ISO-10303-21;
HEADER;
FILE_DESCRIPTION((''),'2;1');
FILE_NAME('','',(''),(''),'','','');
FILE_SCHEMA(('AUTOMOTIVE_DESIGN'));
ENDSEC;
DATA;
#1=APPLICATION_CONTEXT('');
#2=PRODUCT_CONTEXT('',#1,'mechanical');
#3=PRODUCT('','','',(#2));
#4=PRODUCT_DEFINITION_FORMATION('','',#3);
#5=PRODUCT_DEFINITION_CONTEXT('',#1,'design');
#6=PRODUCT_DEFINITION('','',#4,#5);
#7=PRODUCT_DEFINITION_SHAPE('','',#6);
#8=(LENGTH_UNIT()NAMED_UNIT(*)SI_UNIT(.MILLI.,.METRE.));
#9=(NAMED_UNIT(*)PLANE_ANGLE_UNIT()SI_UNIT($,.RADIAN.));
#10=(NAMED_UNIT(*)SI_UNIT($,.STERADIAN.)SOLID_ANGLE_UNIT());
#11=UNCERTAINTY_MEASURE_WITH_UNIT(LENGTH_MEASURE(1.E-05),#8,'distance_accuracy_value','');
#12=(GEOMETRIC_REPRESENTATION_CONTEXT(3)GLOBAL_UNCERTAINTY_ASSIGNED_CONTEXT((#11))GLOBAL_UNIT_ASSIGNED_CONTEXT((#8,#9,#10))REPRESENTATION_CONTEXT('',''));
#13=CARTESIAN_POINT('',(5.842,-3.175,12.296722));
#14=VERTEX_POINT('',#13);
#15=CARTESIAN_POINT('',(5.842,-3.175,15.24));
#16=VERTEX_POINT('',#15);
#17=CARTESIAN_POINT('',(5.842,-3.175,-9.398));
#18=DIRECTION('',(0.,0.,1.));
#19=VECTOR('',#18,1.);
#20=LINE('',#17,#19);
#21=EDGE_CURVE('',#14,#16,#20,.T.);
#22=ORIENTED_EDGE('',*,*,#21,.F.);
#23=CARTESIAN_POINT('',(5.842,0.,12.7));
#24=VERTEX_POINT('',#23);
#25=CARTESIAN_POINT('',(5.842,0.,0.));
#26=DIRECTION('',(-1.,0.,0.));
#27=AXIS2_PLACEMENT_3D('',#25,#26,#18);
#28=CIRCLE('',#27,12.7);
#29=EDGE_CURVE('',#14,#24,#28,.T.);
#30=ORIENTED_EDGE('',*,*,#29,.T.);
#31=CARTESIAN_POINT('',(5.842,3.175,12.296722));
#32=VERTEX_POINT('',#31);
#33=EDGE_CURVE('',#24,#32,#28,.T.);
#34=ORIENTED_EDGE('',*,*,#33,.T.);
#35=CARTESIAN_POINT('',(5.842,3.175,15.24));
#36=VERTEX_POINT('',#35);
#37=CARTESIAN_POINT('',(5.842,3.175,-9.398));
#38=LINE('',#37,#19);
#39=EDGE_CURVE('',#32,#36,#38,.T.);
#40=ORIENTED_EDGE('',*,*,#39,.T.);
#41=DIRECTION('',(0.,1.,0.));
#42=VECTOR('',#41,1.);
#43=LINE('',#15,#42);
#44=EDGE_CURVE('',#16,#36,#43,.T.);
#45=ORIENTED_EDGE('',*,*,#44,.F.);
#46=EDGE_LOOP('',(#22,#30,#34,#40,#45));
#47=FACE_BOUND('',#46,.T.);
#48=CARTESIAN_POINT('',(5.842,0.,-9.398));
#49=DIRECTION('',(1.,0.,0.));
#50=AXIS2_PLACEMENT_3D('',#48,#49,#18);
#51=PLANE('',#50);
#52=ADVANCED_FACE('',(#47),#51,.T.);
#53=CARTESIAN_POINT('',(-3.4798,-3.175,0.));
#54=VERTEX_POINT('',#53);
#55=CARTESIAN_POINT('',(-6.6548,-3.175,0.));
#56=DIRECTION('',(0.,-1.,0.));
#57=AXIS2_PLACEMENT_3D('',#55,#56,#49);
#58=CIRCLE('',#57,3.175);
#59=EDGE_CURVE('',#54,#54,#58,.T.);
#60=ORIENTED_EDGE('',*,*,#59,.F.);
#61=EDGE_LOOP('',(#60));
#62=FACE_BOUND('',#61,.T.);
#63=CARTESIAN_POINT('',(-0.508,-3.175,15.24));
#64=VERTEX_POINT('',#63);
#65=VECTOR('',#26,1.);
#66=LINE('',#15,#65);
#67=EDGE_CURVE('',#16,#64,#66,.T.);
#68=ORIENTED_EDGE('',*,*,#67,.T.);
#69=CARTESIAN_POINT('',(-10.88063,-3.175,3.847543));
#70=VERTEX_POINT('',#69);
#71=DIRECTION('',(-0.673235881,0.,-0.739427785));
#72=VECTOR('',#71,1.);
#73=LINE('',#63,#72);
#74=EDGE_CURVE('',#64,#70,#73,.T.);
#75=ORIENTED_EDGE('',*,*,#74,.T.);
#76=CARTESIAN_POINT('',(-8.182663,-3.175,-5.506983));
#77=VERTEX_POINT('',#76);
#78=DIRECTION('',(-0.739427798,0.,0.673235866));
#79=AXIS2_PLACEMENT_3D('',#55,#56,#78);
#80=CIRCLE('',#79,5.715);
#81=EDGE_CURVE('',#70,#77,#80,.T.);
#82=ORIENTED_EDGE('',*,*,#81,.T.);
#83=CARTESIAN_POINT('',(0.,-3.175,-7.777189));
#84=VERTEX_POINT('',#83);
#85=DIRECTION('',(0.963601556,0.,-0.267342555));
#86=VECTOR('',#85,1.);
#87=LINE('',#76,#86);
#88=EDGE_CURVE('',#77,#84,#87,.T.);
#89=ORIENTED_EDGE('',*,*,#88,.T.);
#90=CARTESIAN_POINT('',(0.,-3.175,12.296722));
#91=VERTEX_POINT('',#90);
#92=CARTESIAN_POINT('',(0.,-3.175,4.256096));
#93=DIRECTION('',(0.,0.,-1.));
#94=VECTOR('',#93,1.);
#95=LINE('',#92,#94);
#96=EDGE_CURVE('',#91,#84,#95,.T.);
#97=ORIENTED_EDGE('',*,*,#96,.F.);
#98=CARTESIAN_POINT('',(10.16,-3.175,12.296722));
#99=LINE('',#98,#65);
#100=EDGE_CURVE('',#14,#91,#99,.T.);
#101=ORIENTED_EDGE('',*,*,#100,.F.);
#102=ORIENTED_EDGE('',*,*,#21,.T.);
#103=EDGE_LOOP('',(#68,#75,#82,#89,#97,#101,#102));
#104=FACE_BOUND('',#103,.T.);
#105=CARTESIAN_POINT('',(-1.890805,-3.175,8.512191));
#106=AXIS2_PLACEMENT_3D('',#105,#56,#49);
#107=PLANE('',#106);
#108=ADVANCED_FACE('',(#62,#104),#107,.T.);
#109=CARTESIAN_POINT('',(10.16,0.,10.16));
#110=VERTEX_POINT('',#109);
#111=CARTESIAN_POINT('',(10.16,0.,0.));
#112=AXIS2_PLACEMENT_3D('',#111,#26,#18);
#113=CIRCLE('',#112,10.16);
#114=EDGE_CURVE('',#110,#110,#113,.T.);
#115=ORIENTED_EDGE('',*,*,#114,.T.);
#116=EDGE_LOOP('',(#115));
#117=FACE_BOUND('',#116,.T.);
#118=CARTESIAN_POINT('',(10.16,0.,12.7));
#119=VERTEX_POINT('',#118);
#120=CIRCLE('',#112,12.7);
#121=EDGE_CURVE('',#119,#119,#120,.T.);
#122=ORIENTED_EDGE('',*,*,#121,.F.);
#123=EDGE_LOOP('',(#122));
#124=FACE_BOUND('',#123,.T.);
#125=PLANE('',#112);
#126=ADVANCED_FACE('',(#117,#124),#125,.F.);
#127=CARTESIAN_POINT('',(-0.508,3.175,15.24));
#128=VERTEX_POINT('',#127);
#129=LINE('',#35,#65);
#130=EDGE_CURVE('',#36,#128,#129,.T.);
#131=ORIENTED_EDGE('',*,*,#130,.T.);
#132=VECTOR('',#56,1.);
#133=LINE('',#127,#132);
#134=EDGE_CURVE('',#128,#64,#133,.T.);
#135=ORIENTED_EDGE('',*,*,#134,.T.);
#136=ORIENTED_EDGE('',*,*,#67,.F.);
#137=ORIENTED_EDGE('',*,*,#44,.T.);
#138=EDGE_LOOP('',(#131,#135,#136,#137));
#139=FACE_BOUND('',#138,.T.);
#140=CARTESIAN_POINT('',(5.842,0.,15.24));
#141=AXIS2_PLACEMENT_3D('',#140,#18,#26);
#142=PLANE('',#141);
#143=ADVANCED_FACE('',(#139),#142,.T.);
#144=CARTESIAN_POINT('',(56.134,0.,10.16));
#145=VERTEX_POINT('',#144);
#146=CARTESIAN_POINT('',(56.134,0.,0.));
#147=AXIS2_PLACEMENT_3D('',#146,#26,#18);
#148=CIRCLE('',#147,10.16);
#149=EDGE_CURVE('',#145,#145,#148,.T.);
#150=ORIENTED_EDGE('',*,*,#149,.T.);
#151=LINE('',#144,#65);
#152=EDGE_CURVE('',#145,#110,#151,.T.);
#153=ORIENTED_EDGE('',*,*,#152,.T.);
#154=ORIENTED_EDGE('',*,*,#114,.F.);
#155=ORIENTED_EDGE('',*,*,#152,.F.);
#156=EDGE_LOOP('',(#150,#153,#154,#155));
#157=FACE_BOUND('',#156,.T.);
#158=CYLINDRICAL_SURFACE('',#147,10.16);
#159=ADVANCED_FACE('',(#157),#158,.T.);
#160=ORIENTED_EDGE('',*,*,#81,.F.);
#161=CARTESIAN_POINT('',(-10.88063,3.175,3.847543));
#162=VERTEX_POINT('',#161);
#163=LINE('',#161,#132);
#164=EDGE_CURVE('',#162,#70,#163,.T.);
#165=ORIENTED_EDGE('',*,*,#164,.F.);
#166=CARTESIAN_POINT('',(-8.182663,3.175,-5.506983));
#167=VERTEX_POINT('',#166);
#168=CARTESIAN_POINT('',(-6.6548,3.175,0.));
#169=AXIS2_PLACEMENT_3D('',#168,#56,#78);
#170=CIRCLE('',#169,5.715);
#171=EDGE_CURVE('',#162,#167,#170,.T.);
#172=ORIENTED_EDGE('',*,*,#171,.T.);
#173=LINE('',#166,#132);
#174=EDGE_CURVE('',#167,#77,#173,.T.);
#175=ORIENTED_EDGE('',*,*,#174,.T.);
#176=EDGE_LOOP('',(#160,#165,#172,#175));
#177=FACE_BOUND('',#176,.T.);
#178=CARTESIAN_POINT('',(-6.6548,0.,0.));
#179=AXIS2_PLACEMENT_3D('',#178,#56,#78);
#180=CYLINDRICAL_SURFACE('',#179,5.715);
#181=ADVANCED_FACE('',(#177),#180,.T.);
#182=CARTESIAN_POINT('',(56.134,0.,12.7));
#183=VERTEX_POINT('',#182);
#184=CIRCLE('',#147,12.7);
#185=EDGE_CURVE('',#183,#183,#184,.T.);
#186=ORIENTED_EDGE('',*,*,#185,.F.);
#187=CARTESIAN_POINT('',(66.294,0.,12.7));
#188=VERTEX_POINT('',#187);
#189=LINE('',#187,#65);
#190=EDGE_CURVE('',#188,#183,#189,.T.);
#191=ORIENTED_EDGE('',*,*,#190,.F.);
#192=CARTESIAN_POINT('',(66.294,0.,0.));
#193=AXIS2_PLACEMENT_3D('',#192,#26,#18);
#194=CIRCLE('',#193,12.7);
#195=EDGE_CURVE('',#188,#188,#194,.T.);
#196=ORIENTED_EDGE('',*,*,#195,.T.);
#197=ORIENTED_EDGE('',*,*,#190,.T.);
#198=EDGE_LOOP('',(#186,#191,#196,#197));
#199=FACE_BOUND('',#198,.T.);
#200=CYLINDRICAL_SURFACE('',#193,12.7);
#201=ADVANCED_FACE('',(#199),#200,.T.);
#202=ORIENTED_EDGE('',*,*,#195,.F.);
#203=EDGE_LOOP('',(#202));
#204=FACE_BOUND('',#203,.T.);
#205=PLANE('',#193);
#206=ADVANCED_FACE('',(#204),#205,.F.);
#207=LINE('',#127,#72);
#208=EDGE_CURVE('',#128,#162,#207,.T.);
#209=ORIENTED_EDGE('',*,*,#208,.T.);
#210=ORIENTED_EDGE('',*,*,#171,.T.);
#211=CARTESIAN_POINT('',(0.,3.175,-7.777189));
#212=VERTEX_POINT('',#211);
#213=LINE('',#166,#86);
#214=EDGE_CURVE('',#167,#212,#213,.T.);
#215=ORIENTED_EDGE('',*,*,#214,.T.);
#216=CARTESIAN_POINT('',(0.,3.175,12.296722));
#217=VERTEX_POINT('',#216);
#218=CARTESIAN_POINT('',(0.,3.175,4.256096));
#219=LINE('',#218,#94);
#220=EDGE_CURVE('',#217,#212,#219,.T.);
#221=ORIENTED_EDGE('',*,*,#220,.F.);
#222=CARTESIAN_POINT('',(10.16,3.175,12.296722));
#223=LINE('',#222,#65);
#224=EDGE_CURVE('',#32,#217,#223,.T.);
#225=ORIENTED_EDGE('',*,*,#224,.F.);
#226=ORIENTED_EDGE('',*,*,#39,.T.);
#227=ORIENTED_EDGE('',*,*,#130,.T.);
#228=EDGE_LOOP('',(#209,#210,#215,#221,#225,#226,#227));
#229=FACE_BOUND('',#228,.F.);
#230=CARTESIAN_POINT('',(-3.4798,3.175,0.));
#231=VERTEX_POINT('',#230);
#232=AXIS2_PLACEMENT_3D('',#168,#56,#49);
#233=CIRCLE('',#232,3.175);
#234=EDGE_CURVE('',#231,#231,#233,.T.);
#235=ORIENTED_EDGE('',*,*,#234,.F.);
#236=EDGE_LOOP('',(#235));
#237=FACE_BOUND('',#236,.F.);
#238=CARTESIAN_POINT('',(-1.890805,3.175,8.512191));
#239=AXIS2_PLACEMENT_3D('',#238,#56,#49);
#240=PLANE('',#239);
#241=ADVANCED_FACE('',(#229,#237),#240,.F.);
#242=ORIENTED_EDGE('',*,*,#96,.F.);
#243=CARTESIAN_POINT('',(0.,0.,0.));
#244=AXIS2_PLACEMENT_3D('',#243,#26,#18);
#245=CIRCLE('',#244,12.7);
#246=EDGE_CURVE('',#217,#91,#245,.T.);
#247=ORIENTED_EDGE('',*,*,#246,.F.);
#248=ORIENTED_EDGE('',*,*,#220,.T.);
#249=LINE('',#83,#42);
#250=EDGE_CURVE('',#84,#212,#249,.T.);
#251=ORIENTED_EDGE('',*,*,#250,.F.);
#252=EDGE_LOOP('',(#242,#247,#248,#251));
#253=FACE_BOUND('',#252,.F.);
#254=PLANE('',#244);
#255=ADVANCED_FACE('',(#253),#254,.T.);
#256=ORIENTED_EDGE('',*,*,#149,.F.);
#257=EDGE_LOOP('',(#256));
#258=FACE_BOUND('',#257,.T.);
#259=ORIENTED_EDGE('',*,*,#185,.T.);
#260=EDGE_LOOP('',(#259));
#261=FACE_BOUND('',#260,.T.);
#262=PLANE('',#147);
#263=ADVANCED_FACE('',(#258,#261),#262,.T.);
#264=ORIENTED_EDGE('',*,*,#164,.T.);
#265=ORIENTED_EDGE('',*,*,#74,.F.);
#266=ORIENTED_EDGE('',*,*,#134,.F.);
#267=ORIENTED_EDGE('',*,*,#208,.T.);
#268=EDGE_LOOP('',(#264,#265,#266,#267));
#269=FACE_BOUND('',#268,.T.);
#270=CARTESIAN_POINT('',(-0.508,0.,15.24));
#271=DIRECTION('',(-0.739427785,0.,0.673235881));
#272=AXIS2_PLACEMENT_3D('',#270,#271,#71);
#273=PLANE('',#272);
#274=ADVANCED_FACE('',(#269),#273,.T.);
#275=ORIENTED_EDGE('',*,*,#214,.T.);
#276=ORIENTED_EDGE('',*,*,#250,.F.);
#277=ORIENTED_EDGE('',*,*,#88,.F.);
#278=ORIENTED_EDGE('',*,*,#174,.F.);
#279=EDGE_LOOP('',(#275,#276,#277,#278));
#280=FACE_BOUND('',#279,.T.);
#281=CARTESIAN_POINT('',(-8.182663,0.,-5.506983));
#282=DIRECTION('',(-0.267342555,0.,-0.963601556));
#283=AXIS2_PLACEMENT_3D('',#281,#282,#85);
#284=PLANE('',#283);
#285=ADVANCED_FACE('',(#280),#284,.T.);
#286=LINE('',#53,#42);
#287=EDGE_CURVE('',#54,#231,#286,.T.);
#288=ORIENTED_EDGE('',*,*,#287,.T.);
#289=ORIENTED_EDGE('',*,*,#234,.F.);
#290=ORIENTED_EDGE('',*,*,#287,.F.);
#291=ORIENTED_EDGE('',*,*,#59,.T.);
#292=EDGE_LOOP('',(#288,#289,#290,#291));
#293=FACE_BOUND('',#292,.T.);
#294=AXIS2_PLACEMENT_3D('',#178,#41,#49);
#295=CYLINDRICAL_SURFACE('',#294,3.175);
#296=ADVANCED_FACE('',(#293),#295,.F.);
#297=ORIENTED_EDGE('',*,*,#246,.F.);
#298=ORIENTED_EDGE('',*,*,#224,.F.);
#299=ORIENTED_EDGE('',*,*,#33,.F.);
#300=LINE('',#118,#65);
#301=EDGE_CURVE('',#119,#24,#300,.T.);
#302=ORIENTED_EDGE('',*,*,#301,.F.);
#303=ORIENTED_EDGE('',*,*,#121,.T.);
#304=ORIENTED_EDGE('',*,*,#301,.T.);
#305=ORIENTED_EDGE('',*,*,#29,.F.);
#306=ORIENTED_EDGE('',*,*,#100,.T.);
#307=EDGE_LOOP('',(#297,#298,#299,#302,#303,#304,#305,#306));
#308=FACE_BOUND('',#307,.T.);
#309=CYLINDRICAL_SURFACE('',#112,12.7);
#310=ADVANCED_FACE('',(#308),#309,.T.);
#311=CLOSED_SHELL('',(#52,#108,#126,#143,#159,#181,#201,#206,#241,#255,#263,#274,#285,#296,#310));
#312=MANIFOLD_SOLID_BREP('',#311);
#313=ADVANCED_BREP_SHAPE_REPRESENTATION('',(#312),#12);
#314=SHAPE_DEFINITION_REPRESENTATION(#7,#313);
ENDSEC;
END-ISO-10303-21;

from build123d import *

# Parameters (mm, degrees)
F0_W     = 5.842
F0_H     = 12.7
F0_R     = 3.175
F2_DEPTH = 3.175


with BuildPart() as f1:
    # F0 (on Front) → F1 (revolve)
    with BuildSketch(Plane.XZ):
        with Locations((2.921, 6.35)):
            Rectangle(F0_W, F0_H)
        Polygon((5.842, 12.7), (5.842, 0), (66.294, 0), (66.294, 12.7), (56.134, 12.7), (56.134, 10.16), (10.16, 10.16), (10.16, 12.7), align=None)
    revolve(axis=Axis((33.147, 0, 0), (-1, 0, 0)))

    # F0 (on Front) → F2 (join, symmetric)
    with BuildSketch(Plane.XZ):
        with BuildLine():
            Line((-0.9398, 0), (0, 0))
            Line((0, 0), (0, 12.7))
            Line((0, 12.7), (5.842, 12.7))
            Line((5.842, 12.7), (5.842, 15.24))
            Line((5.842, 15.24), (-0.508, 15.24))
            Line((-0.508, 15.24), (-10.88063, 3.847543))
            ThreePointArc((-10.88063, 3.847543), (-4.591961, 5.329721), (-0.9398, 0))
        make_face()
        with BuildLine():
            ThreePointArc((-8.182663, -5.506983), (-3.195791, -4.549339), (-0.9398, 0))
            ThreePointArc((-0.9398, 0), (-4.591961, 5.329721), (-10.88063, 3.847543))
            ThreePointArc((-10.88063, 3.847543), (-12.145978, -1.583727), (-8.182663, -5.506983))
        make_face()
        with Locations((-6.6548, 0)):
            Circle(F0_R, mode=Mode.SUBTRACT)
        with BuildLine():
            Line((0, -7.777189), (0, 0))
            Line((0, 0), (-0.9398, 0))
            ThreePointArc((-0.9398, 0), (-3.195791, -4.549339), (-8.182663, -5.506983))
            Line((-8.182663, -5.506983), (0, -7.777189))
        make_face()
        with Locations((2.921, 6.35)):
            Rectangle(F0_W, F0_H)
        Polygon((5.842, 0), (0, 0), (0, -7.777189), (5.842, -9.398), align=None)
    extrude(amount=F2_DEPTH, both=True)


solid = f1.part
